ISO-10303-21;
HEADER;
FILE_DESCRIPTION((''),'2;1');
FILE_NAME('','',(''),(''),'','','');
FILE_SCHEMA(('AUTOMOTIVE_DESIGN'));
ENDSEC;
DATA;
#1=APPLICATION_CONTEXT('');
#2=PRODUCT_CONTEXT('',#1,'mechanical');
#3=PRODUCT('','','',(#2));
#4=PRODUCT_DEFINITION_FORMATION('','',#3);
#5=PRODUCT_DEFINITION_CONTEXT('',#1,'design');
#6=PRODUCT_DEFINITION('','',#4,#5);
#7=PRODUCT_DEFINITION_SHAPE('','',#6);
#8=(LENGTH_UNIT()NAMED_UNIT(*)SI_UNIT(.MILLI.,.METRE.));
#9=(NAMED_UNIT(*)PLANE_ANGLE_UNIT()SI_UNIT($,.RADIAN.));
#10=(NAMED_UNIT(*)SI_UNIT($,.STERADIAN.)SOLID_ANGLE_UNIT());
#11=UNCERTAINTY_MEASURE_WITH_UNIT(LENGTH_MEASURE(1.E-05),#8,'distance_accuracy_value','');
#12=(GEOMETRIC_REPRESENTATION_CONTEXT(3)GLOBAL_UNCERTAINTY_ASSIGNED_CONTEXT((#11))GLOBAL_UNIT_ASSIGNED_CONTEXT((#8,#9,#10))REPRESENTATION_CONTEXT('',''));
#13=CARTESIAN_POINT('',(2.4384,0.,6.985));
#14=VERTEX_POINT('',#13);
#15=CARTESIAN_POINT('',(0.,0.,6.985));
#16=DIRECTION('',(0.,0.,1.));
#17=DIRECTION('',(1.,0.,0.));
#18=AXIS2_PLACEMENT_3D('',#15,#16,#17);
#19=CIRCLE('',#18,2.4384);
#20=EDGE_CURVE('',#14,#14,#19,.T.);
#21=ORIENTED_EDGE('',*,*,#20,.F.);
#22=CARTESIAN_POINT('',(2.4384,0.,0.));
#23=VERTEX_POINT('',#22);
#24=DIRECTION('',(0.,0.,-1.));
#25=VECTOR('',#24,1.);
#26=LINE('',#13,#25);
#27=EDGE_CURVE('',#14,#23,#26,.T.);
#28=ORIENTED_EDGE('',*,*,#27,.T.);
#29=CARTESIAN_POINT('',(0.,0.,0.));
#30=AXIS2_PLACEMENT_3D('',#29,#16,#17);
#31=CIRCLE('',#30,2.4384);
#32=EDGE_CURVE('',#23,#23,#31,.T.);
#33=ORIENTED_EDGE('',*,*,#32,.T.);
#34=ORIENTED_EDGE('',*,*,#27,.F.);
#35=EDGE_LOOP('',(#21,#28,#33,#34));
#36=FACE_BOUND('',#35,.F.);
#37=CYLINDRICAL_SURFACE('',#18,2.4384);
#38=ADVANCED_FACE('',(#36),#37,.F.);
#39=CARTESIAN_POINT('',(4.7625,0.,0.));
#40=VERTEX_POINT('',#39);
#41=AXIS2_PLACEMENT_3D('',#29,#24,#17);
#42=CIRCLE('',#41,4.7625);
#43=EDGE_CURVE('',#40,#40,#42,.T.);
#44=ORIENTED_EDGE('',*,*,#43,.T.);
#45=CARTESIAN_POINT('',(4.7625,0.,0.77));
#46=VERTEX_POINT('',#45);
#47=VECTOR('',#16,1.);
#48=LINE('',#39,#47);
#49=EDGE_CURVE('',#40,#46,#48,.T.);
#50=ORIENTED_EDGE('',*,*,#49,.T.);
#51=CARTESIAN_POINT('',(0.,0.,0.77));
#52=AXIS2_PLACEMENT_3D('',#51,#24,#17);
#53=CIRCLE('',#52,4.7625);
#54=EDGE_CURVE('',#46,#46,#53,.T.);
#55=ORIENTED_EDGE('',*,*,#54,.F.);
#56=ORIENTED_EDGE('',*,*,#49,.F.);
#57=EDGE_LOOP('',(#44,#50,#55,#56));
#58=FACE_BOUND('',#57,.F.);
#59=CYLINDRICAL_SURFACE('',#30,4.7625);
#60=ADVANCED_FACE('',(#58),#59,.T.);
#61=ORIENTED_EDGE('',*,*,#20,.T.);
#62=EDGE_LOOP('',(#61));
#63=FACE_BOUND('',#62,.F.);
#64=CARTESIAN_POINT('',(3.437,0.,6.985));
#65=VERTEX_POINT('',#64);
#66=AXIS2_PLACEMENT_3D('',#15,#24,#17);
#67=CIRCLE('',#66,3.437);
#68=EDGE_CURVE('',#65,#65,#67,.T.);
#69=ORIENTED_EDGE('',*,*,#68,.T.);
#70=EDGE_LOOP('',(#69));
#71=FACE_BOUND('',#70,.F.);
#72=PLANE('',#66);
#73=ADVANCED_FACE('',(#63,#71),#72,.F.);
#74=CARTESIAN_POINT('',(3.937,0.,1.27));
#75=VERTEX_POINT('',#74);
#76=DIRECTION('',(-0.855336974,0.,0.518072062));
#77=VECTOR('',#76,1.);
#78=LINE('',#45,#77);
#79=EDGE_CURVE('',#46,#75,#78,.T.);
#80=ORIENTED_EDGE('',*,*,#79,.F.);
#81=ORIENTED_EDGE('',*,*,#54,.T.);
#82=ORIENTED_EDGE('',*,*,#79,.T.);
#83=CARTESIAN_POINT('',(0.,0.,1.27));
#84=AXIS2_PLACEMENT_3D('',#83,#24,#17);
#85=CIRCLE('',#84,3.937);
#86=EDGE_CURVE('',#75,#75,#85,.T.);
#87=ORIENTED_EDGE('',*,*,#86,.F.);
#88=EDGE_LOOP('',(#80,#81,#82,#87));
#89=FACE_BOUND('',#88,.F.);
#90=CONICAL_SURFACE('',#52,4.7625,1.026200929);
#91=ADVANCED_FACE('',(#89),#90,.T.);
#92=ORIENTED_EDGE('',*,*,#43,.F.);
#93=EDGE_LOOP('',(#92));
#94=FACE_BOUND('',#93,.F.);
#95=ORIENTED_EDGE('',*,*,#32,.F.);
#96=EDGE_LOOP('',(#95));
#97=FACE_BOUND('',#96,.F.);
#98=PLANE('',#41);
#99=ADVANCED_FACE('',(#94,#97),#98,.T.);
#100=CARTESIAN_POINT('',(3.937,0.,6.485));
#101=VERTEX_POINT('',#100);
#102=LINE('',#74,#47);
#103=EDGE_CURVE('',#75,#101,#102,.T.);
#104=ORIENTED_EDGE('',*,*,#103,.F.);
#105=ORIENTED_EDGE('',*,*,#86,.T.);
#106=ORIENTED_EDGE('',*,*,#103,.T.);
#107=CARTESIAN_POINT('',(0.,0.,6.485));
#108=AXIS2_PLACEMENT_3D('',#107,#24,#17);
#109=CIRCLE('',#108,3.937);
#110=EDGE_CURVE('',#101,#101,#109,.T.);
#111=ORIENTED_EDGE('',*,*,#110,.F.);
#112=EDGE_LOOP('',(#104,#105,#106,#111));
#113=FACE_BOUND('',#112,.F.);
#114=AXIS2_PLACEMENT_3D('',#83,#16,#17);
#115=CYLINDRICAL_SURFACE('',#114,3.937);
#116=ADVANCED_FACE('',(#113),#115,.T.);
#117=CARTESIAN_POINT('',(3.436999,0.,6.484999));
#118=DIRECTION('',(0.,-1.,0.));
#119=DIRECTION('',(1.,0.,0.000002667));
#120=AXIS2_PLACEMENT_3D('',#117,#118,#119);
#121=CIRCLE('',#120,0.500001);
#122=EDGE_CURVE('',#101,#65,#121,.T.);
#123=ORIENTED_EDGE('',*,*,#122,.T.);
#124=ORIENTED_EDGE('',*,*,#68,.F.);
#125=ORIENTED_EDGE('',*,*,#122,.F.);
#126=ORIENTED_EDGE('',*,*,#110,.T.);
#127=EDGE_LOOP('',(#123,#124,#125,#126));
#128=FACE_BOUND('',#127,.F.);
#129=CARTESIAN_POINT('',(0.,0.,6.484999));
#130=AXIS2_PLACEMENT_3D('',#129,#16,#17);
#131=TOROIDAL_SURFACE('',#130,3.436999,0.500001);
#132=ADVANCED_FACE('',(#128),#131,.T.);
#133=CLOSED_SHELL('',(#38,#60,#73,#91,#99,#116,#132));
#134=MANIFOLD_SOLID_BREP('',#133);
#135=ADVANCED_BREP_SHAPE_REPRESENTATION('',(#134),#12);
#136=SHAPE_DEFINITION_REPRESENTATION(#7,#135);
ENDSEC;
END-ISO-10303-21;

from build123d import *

# Parameters (mm, degrees)
F2_R     = 2.4384
F3_DEPTH = 6.985


with BuildPart() as f1:
    # F0 (on Front) → F1 (revolve)
    with BuildSketch(Plane.XZ):
        with BuildLine():
            Line((0, 6.985), (0, 0))
            Line((0, 0), (4.7625, 0))
            Line((4.7625, 0), (4.7625, 0.77))
            Line((4.7625, 0.77), (3.937, 1.27))
            Line((3.937, 1.27), (3.937, 6.485))
            ThreePointArc((3.937, 6.485), (3.790553, 6.838553), (3.437, 6.985))
            Line((3.437, 6.985), (0, 6.985))
        make_face()
    revolve(axis=Axis((0, 0, 3.4925), (0, 0, -1)))

    # F2 (on face) → F3 (cut, through all)
    with BuildSketch(Plane.XY.offset(6.985)):
        Circle(F2_R)
    extrude(amount=-F3_DEPTH, mode=Mode.SUBTRACT)


solid = f1.part
